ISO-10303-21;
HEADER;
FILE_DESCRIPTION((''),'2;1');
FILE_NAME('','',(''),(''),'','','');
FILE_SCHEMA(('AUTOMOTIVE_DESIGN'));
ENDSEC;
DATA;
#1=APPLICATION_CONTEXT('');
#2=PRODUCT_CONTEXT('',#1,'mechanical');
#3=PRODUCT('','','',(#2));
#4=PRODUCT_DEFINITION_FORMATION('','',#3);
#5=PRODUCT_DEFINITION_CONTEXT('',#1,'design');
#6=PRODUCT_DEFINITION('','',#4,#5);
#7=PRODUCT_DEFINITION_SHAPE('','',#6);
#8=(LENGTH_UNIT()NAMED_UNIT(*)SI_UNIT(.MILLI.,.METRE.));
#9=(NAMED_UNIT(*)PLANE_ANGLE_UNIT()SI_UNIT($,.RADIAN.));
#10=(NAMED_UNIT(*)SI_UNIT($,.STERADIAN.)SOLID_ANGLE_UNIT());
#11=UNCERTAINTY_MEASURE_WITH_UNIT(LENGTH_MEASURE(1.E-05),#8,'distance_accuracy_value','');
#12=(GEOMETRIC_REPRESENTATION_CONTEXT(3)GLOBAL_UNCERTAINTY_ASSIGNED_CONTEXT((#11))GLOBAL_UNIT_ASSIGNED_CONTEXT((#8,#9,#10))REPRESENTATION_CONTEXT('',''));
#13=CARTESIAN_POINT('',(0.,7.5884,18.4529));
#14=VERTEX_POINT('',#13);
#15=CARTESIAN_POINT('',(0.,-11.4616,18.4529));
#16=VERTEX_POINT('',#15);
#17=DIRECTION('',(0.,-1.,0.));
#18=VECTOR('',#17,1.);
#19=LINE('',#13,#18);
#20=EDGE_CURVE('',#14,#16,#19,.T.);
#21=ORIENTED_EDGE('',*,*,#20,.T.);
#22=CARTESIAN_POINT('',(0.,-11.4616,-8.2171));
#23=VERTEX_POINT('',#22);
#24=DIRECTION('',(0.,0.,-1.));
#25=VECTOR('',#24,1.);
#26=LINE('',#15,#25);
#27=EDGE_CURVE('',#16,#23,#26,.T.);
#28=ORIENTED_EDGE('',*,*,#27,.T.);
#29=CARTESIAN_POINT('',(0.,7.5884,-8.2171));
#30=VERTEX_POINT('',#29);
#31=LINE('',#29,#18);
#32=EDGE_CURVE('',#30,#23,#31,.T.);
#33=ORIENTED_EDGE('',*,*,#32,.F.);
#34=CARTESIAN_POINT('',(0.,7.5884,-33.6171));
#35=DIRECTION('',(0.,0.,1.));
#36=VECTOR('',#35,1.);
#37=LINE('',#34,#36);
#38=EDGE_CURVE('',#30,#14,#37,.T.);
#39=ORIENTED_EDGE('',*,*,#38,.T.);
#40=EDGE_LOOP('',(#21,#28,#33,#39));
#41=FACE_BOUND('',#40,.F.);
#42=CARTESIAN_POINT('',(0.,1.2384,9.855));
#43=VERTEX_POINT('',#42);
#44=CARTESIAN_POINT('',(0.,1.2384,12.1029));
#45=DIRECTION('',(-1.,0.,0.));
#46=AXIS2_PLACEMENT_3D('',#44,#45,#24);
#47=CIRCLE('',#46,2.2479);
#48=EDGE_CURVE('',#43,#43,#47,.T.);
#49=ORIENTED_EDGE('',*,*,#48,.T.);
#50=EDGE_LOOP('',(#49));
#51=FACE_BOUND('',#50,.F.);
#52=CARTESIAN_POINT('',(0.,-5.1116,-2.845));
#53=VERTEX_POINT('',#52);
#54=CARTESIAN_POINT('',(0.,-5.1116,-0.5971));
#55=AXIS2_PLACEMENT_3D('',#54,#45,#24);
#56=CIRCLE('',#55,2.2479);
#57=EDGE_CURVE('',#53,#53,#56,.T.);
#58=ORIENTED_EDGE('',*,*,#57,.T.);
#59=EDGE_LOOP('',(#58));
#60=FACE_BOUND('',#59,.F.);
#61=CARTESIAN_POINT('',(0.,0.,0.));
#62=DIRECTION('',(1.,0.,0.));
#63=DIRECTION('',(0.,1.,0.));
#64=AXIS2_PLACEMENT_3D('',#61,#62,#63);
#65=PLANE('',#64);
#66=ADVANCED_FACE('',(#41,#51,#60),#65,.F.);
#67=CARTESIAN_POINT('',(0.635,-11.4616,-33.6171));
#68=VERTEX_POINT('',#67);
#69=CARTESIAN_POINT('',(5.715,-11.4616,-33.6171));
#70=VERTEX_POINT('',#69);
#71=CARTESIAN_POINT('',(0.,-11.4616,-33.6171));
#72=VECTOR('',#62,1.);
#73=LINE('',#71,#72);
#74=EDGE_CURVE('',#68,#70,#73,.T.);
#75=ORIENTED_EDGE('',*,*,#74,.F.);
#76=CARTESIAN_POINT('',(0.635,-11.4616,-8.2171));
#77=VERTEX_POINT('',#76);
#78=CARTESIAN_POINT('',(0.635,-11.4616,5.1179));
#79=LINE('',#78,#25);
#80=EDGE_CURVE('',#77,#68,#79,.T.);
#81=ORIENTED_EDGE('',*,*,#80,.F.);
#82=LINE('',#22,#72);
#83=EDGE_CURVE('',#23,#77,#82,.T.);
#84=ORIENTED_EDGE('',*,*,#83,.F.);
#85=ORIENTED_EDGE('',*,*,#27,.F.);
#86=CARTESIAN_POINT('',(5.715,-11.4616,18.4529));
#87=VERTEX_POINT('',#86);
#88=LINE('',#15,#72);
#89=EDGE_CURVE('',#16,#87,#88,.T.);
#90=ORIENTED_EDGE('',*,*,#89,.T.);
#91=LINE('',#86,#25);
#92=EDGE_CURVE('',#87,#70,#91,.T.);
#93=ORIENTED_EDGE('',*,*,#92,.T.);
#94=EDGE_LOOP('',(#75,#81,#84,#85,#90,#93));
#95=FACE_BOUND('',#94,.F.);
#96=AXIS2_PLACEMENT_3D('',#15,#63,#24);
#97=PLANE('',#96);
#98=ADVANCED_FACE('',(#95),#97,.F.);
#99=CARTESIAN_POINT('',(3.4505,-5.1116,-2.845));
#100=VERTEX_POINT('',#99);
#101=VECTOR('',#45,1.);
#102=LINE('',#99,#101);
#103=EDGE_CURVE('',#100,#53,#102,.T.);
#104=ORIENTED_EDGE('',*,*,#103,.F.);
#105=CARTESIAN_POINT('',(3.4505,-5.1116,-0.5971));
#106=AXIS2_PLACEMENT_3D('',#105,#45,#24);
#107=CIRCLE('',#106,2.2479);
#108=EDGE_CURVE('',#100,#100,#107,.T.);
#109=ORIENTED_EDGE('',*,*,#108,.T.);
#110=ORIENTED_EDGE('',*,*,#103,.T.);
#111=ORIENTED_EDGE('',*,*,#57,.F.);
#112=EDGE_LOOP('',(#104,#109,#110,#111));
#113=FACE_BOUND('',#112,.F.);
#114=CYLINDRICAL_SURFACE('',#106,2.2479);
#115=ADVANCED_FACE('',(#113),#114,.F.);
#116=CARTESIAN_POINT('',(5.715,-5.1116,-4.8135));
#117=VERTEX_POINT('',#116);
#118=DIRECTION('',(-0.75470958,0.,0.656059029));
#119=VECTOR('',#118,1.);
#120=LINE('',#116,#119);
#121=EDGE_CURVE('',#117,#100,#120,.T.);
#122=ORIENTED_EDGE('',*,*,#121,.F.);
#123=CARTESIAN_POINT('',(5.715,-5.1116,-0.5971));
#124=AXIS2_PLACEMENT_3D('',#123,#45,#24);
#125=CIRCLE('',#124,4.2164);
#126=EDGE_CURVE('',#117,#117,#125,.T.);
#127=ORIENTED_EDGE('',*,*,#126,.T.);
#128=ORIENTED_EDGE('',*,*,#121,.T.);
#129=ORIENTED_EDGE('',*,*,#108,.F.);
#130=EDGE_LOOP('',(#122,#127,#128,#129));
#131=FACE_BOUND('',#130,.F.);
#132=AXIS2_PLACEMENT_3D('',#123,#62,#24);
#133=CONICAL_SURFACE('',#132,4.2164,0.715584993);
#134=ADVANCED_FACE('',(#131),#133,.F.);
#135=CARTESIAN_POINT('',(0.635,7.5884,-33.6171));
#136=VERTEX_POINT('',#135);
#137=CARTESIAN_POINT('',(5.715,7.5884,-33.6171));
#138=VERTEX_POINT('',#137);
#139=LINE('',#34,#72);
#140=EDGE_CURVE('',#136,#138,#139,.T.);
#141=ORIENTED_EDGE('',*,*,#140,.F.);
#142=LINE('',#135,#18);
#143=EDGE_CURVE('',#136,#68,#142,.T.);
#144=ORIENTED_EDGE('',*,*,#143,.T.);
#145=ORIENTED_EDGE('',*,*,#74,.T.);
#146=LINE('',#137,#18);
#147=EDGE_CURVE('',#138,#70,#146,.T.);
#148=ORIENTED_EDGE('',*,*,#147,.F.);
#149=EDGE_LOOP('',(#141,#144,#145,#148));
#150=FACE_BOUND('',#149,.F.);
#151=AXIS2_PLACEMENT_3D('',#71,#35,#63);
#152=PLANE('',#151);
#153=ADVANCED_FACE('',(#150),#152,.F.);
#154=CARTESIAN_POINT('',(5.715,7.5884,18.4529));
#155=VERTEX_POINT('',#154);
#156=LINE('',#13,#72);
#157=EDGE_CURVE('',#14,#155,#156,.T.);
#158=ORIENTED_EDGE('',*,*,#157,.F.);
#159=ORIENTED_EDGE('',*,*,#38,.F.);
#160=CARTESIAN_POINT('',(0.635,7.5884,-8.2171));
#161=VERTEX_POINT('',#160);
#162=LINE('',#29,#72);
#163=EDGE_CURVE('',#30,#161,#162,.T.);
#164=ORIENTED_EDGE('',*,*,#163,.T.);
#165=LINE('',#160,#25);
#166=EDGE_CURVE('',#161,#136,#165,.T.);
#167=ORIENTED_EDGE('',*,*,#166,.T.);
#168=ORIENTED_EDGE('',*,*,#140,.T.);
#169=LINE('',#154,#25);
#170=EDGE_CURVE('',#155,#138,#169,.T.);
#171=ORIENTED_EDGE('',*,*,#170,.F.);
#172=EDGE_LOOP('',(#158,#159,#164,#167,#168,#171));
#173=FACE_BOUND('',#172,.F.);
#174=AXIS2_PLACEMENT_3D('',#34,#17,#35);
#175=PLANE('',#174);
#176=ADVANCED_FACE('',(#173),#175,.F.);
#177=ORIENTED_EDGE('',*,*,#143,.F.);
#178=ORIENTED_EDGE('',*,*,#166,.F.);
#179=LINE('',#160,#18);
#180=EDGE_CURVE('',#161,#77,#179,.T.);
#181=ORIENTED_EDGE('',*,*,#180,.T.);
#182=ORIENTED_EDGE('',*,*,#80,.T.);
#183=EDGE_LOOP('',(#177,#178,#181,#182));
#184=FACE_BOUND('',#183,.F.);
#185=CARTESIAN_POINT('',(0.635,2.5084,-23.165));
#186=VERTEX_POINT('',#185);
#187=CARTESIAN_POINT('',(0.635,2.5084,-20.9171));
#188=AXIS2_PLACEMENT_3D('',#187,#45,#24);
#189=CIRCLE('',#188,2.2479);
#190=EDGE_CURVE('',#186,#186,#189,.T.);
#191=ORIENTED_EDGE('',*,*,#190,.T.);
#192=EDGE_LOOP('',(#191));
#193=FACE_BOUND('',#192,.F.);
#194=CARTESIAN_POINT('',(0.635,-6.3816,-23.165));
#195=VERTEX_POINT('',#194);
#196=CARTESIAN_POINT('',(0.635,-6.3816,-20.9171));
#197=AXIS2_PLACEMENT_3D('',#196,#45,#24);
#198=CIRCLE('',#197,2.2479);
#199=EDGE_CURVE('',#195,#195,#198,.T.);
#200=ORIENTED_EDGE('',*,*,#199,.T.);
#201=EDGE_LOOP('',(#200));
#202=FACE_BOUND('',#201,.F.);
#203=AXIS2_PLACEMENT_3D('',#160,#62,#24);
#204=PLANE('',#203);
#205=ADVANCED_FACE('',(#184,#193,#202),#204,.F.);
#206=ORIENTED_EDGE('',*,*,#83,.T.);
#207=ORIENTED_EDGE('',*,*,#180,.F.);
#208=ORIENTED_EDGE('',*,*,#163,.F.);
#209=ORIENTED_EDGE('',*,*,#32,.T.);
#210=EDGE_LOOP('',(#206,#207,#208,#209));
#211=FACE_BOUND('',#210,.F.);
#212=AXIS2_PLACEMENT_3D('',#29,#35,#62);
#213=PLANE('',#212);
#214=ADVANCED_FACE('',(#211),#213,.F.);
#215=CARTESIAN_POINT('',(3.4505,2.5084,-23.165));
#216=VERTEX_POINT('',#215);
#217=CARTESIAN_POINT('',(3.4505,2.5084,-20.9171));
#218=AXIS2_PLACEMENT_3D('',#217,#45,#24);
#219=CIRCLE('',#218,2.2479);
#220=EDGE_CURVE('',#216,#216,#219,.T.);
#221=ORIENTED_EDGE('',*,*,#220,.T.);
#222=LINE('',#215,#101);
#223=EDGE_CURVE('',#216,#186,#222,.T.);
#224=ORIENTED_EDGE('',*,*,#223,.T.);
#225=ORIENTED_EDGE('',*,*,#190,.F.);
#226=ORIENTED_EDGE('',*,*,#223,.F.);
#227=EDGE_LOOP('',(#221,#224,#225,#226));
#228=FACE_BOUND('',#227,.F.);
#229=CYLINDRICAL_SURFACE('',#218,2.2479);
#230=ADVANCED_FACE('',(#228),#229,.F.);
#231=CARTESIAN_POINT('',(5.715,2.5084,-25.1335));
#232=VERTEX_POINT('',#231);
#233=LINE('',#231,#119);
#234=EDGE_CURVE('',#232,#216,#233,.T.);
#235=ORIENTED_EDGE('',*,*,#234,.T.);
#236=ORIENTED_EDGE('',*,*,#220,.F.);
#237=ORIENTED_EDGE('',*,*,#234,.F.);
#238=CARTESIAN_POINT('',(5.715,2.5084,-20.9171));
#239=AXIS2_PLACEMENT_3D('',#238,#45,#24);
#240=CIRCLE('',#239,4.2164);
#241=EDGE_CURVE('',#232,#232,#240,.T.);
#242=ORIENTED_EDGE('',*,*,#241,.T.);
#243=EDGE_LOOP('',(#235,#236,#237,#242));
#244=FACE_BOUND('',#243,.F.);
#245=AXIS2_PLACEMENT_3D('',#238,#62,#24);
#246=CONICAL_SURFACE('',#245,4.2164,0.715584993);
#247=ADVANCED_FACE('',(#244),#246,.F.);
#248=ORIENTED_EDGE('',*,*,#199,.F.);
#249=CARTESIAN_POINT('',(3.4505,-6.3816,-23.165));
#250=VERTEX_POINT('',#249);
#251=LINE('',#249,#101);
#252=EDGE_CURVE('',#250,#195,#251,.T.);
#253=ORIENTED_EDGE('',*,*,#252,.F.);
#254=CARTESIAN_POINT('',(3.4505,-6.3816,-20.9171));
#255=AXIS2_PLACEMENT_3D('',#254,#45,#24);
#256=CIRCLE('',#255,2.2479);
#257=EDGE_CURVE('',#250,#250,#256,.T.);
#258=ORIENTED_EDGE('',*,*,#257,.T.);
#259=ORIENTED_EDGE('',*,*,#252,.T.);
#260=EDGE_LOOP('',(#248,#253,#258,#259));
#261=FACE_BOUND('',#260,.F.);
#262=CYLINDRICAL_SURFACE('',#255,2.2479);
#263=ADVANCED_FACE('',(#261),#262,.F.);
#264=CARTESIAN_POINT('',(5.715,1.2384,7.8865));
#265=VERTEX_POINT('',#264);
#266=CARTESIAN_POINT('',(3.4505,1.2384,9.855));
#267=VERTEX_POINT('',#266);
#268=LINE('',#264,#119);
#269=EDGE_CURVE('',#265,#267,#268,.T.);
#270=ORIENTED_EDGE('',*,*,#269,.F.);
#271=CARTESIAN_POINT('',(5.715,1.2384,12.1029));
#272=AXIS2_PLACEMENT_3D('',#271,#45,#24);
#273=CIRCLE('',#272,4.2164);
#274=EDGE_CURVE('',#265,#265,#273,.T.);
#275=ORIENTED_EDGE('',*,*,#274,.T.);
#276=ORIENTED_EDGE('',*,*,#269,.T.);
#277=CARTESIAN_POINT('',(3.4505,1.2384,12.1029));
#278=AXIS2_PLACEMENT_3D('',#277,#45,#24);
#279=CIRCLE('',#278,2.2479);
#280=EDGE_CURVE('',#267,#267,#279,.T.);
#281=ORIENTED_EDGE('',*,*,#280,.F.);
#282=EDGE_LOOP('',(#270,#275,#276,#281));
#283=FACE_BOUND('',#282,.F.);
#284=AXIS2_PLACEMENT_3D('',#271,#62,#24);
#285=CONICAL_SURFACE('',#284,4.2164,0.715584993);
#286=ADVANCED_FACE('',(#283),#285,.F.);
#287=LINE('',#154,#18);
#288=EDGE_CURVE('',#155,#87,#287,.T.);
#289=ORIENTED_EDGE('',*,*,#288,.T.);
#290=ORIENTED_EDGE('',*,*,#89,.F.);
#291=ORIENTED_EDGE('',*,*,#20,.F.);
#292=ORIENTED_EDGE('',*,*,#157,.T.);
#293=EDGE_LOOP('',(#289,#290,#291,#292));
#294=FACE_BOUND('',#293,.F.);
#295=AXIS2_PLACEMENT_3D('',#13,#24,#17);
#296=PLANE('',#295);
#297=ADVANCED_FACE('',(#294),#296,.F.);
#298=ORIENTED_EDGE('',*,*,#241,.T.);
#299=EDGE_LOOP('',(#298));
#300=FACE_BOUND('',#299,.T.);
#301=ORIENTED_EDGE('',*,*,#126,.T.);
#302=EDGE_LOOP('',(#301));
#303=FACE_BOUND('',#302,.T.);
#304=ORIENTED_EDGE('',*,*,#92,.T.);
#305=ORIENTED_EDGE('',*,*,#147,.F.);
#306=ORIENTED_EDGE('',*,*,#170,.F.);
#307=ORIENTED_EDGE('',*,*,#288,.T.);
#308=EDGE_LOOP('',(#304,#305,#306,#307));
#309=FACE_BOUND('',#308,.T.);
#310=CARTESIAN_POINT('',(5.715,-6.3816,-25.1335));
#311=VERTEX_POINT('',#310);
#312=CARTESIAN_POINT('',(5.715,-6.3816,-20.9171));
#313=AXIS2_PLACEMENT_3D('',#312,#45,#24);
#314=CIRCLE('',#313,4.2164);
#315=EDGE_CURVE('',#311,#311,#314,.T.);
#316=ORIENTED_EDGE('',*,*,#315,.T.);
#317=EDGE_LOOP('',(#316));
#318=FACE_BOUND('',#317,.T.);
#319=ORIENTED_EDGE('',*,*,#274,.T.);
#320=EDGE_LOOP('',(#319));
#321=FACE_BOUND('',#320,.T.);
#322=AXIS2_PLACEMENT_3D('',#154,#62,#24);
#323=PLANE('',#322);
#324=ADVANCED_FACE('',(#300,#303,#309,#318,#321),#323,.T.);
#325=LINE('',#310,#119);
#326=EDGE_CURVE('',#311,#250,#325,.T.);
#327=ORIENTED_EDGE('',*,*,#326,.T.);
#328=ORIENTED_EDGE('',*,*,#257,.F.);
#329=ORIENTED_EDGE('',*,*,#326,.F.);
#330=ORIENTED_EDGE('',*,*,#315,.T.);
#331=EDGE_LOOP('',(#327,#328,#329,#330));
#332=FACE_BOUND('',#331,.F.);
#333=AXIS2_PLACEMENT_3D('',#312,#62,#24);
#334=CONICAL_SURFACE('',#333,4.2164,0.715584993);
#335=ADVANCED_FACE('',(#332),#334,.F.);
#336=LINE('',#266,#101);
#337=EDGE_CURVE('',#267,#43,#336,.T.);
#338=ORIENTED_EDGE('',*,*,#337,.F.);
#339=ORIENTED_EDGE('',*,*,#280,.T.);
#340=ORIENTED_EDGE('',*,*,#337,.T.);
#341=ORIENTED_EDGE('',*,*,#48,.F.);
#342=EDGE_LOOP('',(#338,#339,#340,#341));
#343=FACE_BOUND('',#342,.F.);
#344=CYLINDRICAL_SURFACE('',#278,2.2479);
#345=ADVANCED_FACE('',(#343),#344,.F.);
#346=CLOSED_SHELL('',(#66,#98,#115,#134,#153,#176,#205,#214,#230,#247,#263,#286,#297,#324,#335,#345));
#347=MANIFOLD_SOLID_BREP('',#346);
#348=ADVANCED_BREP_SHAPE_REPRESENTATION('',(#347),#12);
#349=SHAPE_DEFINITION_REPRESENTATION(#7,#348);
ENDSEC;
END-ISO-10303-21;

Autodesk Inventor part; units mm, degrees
ref_plane "YZ Plane" through (0, 0, 0) normal (1, 0, 0) x (0, 1, 0)
ref_plane "XZ Plane" through (0, 0, 0) normal (0, 1, 0) x (-1, 0, 0)
ref_plane "XY Plane" through (0, 0, 0) normal (0, 0, 1) x (1, 0, 0)
sketch "Sketch1" plane through (0, 0, 0) normal (1, 0, 0) x (0, 1, 0)
  line L0 (7.5884, 18.4529) -> (-11.4616, 18.4529)
  line L1 (-11.4616, 18.4529) -> (-11.4616, -33.6171)
  line L2 (-11.4616, -33.6171) -> (7.5884, -33.6171)
  line L3 (7.5884, -33.6171) -> (7.5884, 18.4529)
  point P0 (0, 0)
  dimension "d0" = 52.07
  dimension "d1" = 19.05
extrude "Extrusion1" add sketch "Sketch1" along normal blind 6.35
sketch "Sketch3" plane through (0, 7.5884, 18.4529) normal (0, 1, 0) x (1, 0, 0)
  line L0 (0, 26.67) -> (0.635, 26.67)
  line L1 (0.635, 26.67) -> (0.635, 52.07)
  line L2 (0.635, 52.07) -> (0, 52.07)
  line L3 (0, 52.07) -> (0, 26.67)
  line L4 (5.715, 52.07) -> (6.35, 52.07)
  line L5 (6.35, 52.07) -> (6.35, 26.67)
  line L6 (6.35, 26.67) -> (5.715, 26.67)
  line L7 (5.715, 26.67) -> (5.715, 52.07)
  line L8 (6.35, 52.07) -> (6.35, 0) projected
  line L9 (0, 52.07) -> (0, 0) projected
  line L10 (0, 52.07) -> (6.35, 52.07) projected
  point P0 (0, 18.4529)
  dimension "d19" = 25.4
  dimension "d20" = 25.4
  dimension "d21" = 0
  dimension "d22" = 0
  dimension "d23" = 0.635
  dimension "d24" = 0.635
  dimension "d25" = 0
extrude "Extrusion2" cut sketch "Sketch3" against normal blind 50.8
sketch "Sketch6" plane through (5.715, 7.5884, -8.2171) normal (1, 0, 0) x (0, 0, -1)
  line L0 (0, 0) -> (25.4, 0) projected
  line L1 (25.4, 0) -> (25.4, -19.05) projected
  point P0 (-8.2171, -7.5884)
  point P1 (12.7, -5.08)
  point P2 (12.7, -13.97)
  dimension "d39" = 5.08
  dimension "d40" = 13.97
  dimension "d41" = 12.7
  dimension "d42" = 12.7
hole "Hole3" at (5.715, 2.5084, -20.9171) at (5.715, -6.3816, -20.9171) direction (-1, 0, 0) diameter 4.4958 end through all countersink diameter 8.4328 countersink angle 82 clearance for "Flat Head Machine Screw (82)" size "#8" standard "Ansi Unified Screw Threads"
sketch "Sketch7" plane through (0, 7.5884, 18.4529) normal (0, 1, 0) x (1, 0, 0)
  line L0 (8.7509, 0) -> (5.715, 0)
  line L1 (5.715, 0) -> (5.715, 29.619)
  line L2 (5.715, 29.619) -> (8.7509, 29.619)
  line L3 (8.7509, 29.619) -> (8.7509, 0)
  line L4 (5.715, 26.67) -> (5.715, 52.07) projected
  line L5 (0, 0) -> (6.35, 0) projected
  point P0 (0, 18.4529)
  dimension "d50" = 0
  dimension "d51" = 0
extrude "Extrusion3" cut sketch "Sketch7" against normal blind 25.4
sketch "Sketch8" plane through (5.715, 7.5884, 18.4529) normal (1, 0, 0) x (0, 0, -1)
  line L0 (0, 0) -> (52.07, 0) projected
  line L1 (0, -19.05) -> (0, 0) projected
  point P0 (18.4529, -7.5884)
  point P1 (6.35, -6.35)
  point P2 (19.05, -12.7)
  dimension "d54" = 6.35
  dimension "d55" = 6.35
  dimension "d56" = 19.05
  dimension "d57" = 12.7
hole "Hole4" at (5.715, 1.2384, 12.1029) at (5.715, -5.1116, -0.5971) direction (-1, 0, 0) diameter 4.4958 end through all countersink diameter 8.4328 countersink angle 82 clearance for "Flat Head Machine Screw (82)" size "#8" standard "Ansi Unified Screw Threads"
properties part number "SidePlateRight"
